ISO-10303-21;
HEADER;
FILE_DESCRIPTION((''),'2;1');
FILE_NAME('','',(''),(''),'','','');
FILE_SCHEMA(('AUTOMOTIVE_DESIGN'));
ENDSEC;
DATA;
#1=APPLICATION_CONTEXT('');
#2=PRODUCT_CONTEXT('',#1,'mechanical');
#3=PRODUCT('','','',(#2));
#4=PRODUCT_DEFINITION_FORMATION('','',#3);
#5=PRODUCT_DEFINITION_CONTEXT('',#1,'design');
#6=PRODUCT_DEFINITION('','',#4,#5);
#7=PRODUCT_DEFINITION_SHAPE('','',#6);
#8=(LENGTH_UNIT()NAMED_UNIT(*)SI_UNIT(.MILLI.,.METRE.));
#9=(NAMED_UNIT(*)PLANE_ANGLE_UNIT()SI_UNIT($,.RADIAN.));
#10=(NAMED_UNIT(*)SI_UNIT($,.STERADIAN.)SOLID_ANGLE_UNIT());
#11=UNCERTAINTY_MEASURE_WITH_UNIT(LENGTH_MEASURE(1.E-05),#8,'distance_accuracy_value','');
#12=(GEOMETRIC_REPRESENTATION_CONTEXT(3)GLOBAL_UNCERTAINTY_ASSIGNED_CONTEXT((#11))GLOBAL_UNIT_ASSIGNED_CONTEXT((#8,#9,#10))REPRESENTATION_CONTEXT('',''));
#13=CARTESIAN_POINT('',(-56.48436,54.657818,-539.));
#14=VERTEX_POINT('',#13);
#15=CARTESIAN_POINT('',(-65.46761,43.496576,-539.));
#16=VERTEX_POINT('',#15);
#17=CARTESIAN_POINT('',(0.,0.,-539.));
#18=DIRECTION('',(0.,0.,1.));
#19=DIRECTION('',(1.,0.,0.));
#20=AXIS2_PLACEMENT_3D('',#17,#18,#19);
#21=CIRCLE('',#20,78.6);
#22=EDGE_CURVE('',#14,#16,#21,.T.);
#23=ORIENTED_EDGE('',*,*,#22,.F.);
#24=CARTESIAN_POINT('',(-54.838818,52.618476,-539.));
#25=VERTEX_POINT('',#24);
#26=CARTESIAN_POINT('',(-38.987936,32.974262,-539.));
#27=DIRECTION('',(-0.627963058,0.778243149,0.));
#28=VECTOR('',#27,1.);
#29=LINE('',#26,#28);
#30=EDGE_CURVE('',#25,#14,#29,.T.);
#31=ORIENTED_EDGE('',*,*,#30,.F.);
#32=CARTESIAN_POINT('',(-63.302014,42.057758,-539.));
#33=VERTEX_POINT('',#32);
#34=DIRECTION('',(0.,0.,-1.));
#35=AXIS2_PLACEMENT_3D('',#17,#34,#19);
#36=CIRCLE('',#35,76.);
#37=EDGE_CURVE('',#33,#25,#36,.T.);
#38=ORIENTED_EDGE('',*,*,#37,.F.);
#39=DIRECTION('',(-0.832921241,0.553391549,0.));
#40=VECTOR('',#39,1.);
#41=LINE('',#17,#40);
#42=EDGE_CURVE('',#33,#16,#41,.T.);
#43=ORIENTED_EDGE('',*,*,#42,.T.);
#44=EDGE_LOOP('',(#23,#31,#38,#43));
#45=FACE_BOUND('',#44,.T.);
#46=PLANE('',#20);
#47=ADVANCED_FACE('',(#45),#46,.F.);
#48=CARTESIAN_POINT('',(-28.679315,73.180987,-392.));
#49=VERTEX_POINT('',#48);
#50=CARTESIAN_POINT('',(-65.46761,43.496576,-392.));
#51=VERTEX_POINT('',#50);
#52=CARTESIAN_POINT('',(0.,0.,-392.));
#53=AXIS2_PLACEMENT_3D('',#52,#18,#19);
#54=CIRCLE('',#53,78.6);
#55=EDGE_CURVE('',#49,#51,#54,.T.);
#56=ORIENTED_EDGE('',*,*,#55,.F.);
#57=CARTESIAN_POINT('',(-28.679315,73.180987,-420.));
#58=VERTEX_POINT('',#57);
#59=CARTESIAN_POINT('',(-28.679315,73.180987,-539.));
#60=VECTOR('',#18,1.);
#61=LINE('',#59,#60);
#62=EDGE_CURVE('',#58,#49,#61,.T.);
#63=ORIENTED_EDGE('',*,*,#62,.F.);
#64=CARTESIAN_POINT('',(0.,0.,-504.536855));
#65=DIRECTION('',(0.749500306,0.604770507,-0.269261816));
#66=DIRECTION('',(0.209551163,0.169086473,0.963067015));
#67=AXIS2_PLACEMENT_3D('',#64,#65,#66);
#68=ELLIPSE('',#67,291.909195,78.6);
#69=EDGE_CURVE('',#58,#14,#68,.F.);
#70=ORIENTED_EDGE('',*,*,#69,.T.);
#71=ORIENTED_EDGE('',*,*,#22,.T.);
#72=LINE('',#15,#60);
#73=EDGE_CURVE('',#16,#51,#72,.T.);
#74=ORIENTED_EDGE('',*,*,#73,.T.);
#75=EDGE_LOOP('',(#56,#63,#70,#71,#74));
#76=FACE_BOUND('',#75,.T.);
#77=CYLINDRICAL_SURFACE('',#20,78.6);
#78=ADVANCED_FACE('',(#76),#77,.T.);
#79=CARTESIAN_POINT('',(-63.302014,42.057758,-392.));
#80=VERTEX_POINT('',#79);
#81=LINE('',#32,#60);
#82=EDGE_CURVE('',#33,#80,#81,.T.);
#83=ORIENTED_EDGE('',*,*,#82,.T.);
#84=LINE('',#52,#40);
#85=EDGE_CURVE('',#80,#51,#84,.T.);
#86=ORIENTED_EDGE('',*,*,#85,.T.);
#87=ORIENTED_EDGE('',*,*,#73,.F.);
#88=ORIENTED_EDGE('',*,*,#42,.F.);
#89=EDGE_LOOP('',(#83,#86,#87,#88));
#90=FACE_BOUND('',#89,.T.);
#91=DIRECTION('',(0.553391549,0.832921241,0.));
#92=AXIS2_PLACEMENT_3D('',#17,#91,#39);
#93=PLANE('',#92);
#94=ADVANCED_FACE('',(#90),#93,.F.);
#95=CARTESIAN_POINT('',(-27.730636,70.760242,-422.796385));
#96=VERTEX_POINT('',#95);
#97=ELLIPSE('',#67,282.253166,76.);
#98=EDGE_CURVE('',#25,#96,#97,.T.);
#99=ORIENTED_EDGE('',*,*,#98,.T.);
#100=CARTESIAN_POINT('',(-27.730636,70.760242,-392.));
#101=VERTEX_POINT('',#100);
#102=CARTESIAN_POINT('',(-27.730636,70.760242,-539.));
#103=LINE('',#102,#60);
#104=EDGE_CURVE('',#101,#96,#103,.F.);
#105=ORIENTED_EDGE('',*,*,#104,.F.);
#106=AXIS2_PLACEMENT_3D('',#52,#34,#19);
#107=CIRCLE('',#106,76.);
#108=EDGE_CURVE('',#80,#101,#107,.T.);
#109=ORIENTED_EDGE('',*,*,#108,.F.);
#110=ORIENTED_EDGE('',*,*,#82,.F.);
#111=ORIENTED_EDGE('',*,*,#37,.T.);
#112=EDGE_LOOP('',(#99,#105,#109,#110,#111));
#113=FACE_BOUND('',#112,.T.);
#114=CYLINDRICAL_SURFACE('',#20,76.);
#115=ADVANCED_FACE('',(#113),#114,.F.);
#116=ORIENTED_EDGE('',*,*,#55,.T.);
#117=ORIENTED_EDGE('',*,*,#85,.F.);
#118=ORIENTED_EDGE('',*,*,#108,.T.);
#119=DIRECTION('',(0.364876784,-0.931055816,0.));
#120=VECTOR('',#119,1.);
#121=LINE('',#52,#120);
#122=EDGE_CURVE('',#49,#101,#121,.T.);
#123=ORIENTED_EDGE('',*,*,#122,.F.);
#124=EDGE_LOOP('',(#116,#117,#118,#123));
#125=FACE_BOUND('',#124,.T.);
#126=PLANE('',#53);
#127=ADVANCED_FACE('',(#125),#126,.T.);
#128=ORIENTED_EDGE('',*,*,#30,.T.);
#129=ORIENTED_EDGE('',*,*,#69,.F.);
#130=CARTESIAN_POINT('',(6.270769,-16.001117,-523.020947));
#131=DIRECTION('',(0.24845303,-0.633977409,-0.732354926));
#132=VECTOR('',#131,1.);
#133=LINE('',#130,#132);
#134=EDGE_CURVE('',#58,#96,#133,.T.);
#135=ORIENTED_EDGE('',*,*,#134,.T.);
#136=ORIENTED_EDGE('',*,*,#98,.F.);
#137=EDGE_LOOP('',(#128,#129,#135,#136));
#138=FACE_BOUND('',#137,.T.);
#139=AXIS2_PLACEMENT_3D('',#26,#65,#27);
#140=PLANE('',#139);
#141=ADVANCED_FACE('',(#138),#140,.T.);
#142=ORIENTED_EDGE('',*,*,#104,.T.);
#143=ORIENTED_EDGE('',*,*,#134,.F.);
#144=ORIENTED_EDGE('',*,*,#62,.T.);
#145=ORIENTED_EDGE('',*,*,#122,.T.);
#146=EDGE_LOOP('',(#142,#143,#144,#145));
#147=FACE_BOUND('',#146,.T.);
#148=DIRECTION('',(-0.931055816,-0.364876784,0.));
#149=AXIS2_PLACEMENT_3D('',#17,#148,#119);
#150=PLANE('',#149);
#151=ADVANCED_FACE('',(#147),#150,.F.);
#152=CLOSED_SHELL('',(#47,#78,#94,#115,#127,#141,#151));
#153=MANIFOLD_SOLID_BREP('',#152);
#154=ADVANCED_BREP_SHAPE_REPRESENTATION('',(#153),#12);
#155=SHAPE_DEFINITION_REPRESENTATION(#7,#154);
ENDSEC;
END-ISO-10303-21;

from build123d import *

# Parameters (mm, degrees)
BOSS_EXTRUDE1_START     = -392
BOSS_EXTRUDE1_DEPTH     = 147
CUT_EXTRUDE1_DEPTH      = 148
SKETCH3_OUTSIDE_W       = 81.897
SKETCH3_OUTSIDE_H       = 179.984
CUT_EXTRUDE2_DEPTH      = 26.581353828
CUT_EXTRUDE2_DEPTH_BACK = 23.337511723


with BuildPart() as part:
    # Sketch1 → Boss-Extrude1 (new body)
    with BuildSketch(Plane.XY.offset(BOSS_EXTRUDE1_START)):
        with BuildLine():
            Line((0, 76), (0, 78.6))
            ThreePointArc((0, 78.6), (-78.6, 0), (0, -78.6))
            Line((0, -78.6), (0, -76))
            ThreePointArc((0, -76), (-76, 0), (0, 76))
        make_face()
    extrude(amount=-BOSS_EXTRUDE1_DEPTH)

    # Sketch2 → Cut-Extrude1 (cut, through all)
    with BuildSketch(Plane.XY.offset(-392)):
        with BuildLine():
            Line((0, 0), (-28.679315249, 73.180987127))
            ThreePointArc((-28.679315249, 73.180987127), (49.357896331, -61.169911474), (-65.46760952, 43.496575771))
            Line((-65.46760952, 43.496575771), (0, 0))
        make_face()
    extrude(amount=-CUT_EXTRUDE1_DEPTH, mode=Mode.SUBTRACT)

    # Sketch3 outside → Cut-Extrude2 (cut, two sides)
    with BuildSketch(Plane(origin=(-45.516324952, 56.408999874, 0), x_dir=(0.778243149, 0.627963058, 0), z_dir=(-0.627963058, 0.778243149, 0))) as cut_extrude2_sk:
        with Locations((-0.0825, 465.5)):
            Rectangle(SKETCH3_OUTSIDE_W, SKETCH3_OUTSIDE_H)
        Polygon((23.635475841, 392), (-97.818058366, 392), (-57.320280341, 551.13514832), (-9.635475841, 539), (23.635475841, 420), align=None, mode=Mode.SUBTRACT)
    extrude(amount=CUT_EXTRUDE2_DEPTH, mode=Mode.SUBTRACT)
    extrude(cut_extrude2_sk.sketch, amount=-CUT_EXTRUDE2_DEPTH_BACK, mode=Mode.SUBTRACT)


solid = part.part
